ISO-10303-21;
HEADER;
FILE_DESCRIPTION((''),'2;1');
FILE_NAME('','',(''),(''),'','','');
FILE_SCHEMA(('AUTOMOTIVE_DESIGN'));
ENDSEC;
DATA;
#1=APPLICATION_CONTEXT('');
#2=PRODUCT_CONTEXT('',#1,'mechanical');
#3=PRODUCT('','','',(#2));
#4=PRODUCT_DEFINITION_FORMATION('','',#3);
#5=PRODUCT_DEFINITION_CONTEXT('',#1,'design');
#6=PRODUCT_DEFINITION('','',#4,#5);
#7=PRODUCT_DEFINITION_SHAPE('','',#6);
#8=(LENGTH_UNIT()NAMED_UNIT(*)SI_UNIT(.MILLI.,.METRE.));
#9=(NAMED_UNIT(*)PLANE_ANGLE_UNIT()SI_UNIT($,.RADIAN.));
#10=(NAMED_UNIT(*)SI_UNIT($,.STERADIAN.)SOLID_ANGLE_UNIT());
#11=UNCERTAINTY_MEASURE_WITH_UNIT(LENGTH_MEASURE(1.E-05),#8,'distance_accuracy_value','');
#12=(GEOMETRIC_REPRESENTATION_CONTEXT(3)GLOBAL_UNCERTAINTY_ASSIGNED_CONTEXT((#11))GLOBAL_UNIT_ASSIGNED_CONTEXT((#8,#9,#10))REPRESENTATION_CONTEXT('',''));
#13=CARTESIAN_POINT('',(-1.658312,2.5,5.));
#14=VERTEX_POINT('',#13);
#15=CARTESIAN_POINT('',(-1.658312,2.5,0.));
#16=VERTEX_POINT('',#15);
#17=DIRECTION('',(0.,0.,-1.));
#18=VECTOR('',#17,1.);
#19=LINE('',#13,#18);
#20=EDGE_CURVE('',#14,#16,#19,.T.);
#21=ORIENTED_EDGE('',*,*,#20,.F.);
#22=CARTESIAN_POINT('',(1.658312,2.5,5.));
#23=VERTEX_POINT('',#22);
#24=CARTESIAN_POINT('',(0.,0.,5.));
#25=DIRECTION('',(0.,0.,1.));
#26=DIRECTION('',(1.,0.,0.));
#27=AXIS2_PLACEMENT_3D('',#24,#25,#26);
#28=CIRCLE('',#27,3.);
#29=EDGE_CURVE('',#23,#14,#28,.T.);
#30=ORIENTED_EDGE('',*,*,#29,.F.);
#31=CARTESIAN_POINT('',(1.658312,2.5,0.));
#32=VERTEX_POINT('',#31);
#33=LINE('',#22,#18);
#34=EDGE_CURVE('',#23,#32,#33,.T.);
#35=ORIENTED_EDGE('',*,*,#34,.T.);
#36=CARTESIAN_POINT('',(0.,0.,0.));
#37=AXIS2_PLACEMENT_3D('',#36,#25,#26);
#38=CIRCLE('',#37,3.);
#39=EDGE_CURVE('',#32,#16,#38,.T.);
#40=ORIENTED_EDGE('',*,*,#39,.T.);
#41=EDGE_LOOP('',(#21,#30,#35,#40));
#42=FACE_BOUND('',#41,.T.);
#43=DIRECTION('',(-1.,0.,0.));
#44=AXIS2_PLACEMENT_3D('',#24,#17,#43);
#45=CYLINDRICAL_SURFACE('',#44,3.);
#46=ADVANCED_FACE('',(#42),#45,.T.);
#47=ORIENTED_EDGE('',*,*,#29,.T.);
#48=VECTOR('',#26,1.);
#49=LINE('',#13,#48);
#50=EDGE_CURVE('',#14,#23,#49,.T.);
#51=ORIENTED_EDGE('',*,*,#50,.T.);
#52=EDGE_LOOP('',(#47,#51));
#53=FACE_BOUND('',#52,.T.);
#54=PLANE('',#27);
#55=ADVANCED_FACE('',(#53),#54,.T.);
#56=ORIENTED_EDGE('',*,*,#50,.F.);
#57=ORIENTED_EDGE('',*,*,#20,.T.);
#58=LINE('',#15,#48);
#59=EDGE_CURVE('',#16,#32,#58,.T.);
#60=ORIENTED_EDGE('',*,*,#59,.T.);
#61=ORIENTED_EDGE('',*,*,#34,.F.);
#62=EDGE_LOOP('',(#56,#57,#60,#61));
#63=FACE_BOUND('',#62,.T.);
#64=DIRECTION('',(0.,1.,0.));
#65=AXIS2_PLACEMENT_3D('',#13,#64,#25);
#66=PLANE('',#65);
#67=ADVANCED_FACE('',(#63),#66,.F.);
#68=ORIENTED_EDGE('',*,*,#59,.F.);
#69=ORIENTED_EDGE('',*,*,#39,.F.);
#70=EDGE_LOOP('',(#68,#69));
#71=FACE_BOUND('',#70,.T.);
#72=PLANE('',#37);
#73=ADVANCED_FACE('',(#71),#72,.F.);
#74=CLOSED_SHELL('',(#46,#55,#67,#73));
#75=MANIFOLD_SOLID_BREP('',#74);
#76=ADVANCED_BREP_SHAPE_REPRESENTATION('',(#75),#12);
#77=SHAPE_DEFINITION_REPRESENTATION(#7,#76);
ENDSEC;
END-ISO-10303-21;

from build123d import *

# Parameters (mm, degrees)
BOSS_EXTRUDE1_DEPTH = 5


with BuildPart() as part:
    # Sketch1 → Boss-Extrude1 (new body)
    with BuildSketch(Plane.XY):
        with BuildLine():
            Line((-1.658312395, 2.5), (1.658312395, 2.5))
            ThreePointArc((1.658312395, 2.5), (0, 3), (-1.658312395, 2.5))
        make_face()
    extrude(amount=BOSS_EXTRUDE1_DEPTH)


solid = part.part
